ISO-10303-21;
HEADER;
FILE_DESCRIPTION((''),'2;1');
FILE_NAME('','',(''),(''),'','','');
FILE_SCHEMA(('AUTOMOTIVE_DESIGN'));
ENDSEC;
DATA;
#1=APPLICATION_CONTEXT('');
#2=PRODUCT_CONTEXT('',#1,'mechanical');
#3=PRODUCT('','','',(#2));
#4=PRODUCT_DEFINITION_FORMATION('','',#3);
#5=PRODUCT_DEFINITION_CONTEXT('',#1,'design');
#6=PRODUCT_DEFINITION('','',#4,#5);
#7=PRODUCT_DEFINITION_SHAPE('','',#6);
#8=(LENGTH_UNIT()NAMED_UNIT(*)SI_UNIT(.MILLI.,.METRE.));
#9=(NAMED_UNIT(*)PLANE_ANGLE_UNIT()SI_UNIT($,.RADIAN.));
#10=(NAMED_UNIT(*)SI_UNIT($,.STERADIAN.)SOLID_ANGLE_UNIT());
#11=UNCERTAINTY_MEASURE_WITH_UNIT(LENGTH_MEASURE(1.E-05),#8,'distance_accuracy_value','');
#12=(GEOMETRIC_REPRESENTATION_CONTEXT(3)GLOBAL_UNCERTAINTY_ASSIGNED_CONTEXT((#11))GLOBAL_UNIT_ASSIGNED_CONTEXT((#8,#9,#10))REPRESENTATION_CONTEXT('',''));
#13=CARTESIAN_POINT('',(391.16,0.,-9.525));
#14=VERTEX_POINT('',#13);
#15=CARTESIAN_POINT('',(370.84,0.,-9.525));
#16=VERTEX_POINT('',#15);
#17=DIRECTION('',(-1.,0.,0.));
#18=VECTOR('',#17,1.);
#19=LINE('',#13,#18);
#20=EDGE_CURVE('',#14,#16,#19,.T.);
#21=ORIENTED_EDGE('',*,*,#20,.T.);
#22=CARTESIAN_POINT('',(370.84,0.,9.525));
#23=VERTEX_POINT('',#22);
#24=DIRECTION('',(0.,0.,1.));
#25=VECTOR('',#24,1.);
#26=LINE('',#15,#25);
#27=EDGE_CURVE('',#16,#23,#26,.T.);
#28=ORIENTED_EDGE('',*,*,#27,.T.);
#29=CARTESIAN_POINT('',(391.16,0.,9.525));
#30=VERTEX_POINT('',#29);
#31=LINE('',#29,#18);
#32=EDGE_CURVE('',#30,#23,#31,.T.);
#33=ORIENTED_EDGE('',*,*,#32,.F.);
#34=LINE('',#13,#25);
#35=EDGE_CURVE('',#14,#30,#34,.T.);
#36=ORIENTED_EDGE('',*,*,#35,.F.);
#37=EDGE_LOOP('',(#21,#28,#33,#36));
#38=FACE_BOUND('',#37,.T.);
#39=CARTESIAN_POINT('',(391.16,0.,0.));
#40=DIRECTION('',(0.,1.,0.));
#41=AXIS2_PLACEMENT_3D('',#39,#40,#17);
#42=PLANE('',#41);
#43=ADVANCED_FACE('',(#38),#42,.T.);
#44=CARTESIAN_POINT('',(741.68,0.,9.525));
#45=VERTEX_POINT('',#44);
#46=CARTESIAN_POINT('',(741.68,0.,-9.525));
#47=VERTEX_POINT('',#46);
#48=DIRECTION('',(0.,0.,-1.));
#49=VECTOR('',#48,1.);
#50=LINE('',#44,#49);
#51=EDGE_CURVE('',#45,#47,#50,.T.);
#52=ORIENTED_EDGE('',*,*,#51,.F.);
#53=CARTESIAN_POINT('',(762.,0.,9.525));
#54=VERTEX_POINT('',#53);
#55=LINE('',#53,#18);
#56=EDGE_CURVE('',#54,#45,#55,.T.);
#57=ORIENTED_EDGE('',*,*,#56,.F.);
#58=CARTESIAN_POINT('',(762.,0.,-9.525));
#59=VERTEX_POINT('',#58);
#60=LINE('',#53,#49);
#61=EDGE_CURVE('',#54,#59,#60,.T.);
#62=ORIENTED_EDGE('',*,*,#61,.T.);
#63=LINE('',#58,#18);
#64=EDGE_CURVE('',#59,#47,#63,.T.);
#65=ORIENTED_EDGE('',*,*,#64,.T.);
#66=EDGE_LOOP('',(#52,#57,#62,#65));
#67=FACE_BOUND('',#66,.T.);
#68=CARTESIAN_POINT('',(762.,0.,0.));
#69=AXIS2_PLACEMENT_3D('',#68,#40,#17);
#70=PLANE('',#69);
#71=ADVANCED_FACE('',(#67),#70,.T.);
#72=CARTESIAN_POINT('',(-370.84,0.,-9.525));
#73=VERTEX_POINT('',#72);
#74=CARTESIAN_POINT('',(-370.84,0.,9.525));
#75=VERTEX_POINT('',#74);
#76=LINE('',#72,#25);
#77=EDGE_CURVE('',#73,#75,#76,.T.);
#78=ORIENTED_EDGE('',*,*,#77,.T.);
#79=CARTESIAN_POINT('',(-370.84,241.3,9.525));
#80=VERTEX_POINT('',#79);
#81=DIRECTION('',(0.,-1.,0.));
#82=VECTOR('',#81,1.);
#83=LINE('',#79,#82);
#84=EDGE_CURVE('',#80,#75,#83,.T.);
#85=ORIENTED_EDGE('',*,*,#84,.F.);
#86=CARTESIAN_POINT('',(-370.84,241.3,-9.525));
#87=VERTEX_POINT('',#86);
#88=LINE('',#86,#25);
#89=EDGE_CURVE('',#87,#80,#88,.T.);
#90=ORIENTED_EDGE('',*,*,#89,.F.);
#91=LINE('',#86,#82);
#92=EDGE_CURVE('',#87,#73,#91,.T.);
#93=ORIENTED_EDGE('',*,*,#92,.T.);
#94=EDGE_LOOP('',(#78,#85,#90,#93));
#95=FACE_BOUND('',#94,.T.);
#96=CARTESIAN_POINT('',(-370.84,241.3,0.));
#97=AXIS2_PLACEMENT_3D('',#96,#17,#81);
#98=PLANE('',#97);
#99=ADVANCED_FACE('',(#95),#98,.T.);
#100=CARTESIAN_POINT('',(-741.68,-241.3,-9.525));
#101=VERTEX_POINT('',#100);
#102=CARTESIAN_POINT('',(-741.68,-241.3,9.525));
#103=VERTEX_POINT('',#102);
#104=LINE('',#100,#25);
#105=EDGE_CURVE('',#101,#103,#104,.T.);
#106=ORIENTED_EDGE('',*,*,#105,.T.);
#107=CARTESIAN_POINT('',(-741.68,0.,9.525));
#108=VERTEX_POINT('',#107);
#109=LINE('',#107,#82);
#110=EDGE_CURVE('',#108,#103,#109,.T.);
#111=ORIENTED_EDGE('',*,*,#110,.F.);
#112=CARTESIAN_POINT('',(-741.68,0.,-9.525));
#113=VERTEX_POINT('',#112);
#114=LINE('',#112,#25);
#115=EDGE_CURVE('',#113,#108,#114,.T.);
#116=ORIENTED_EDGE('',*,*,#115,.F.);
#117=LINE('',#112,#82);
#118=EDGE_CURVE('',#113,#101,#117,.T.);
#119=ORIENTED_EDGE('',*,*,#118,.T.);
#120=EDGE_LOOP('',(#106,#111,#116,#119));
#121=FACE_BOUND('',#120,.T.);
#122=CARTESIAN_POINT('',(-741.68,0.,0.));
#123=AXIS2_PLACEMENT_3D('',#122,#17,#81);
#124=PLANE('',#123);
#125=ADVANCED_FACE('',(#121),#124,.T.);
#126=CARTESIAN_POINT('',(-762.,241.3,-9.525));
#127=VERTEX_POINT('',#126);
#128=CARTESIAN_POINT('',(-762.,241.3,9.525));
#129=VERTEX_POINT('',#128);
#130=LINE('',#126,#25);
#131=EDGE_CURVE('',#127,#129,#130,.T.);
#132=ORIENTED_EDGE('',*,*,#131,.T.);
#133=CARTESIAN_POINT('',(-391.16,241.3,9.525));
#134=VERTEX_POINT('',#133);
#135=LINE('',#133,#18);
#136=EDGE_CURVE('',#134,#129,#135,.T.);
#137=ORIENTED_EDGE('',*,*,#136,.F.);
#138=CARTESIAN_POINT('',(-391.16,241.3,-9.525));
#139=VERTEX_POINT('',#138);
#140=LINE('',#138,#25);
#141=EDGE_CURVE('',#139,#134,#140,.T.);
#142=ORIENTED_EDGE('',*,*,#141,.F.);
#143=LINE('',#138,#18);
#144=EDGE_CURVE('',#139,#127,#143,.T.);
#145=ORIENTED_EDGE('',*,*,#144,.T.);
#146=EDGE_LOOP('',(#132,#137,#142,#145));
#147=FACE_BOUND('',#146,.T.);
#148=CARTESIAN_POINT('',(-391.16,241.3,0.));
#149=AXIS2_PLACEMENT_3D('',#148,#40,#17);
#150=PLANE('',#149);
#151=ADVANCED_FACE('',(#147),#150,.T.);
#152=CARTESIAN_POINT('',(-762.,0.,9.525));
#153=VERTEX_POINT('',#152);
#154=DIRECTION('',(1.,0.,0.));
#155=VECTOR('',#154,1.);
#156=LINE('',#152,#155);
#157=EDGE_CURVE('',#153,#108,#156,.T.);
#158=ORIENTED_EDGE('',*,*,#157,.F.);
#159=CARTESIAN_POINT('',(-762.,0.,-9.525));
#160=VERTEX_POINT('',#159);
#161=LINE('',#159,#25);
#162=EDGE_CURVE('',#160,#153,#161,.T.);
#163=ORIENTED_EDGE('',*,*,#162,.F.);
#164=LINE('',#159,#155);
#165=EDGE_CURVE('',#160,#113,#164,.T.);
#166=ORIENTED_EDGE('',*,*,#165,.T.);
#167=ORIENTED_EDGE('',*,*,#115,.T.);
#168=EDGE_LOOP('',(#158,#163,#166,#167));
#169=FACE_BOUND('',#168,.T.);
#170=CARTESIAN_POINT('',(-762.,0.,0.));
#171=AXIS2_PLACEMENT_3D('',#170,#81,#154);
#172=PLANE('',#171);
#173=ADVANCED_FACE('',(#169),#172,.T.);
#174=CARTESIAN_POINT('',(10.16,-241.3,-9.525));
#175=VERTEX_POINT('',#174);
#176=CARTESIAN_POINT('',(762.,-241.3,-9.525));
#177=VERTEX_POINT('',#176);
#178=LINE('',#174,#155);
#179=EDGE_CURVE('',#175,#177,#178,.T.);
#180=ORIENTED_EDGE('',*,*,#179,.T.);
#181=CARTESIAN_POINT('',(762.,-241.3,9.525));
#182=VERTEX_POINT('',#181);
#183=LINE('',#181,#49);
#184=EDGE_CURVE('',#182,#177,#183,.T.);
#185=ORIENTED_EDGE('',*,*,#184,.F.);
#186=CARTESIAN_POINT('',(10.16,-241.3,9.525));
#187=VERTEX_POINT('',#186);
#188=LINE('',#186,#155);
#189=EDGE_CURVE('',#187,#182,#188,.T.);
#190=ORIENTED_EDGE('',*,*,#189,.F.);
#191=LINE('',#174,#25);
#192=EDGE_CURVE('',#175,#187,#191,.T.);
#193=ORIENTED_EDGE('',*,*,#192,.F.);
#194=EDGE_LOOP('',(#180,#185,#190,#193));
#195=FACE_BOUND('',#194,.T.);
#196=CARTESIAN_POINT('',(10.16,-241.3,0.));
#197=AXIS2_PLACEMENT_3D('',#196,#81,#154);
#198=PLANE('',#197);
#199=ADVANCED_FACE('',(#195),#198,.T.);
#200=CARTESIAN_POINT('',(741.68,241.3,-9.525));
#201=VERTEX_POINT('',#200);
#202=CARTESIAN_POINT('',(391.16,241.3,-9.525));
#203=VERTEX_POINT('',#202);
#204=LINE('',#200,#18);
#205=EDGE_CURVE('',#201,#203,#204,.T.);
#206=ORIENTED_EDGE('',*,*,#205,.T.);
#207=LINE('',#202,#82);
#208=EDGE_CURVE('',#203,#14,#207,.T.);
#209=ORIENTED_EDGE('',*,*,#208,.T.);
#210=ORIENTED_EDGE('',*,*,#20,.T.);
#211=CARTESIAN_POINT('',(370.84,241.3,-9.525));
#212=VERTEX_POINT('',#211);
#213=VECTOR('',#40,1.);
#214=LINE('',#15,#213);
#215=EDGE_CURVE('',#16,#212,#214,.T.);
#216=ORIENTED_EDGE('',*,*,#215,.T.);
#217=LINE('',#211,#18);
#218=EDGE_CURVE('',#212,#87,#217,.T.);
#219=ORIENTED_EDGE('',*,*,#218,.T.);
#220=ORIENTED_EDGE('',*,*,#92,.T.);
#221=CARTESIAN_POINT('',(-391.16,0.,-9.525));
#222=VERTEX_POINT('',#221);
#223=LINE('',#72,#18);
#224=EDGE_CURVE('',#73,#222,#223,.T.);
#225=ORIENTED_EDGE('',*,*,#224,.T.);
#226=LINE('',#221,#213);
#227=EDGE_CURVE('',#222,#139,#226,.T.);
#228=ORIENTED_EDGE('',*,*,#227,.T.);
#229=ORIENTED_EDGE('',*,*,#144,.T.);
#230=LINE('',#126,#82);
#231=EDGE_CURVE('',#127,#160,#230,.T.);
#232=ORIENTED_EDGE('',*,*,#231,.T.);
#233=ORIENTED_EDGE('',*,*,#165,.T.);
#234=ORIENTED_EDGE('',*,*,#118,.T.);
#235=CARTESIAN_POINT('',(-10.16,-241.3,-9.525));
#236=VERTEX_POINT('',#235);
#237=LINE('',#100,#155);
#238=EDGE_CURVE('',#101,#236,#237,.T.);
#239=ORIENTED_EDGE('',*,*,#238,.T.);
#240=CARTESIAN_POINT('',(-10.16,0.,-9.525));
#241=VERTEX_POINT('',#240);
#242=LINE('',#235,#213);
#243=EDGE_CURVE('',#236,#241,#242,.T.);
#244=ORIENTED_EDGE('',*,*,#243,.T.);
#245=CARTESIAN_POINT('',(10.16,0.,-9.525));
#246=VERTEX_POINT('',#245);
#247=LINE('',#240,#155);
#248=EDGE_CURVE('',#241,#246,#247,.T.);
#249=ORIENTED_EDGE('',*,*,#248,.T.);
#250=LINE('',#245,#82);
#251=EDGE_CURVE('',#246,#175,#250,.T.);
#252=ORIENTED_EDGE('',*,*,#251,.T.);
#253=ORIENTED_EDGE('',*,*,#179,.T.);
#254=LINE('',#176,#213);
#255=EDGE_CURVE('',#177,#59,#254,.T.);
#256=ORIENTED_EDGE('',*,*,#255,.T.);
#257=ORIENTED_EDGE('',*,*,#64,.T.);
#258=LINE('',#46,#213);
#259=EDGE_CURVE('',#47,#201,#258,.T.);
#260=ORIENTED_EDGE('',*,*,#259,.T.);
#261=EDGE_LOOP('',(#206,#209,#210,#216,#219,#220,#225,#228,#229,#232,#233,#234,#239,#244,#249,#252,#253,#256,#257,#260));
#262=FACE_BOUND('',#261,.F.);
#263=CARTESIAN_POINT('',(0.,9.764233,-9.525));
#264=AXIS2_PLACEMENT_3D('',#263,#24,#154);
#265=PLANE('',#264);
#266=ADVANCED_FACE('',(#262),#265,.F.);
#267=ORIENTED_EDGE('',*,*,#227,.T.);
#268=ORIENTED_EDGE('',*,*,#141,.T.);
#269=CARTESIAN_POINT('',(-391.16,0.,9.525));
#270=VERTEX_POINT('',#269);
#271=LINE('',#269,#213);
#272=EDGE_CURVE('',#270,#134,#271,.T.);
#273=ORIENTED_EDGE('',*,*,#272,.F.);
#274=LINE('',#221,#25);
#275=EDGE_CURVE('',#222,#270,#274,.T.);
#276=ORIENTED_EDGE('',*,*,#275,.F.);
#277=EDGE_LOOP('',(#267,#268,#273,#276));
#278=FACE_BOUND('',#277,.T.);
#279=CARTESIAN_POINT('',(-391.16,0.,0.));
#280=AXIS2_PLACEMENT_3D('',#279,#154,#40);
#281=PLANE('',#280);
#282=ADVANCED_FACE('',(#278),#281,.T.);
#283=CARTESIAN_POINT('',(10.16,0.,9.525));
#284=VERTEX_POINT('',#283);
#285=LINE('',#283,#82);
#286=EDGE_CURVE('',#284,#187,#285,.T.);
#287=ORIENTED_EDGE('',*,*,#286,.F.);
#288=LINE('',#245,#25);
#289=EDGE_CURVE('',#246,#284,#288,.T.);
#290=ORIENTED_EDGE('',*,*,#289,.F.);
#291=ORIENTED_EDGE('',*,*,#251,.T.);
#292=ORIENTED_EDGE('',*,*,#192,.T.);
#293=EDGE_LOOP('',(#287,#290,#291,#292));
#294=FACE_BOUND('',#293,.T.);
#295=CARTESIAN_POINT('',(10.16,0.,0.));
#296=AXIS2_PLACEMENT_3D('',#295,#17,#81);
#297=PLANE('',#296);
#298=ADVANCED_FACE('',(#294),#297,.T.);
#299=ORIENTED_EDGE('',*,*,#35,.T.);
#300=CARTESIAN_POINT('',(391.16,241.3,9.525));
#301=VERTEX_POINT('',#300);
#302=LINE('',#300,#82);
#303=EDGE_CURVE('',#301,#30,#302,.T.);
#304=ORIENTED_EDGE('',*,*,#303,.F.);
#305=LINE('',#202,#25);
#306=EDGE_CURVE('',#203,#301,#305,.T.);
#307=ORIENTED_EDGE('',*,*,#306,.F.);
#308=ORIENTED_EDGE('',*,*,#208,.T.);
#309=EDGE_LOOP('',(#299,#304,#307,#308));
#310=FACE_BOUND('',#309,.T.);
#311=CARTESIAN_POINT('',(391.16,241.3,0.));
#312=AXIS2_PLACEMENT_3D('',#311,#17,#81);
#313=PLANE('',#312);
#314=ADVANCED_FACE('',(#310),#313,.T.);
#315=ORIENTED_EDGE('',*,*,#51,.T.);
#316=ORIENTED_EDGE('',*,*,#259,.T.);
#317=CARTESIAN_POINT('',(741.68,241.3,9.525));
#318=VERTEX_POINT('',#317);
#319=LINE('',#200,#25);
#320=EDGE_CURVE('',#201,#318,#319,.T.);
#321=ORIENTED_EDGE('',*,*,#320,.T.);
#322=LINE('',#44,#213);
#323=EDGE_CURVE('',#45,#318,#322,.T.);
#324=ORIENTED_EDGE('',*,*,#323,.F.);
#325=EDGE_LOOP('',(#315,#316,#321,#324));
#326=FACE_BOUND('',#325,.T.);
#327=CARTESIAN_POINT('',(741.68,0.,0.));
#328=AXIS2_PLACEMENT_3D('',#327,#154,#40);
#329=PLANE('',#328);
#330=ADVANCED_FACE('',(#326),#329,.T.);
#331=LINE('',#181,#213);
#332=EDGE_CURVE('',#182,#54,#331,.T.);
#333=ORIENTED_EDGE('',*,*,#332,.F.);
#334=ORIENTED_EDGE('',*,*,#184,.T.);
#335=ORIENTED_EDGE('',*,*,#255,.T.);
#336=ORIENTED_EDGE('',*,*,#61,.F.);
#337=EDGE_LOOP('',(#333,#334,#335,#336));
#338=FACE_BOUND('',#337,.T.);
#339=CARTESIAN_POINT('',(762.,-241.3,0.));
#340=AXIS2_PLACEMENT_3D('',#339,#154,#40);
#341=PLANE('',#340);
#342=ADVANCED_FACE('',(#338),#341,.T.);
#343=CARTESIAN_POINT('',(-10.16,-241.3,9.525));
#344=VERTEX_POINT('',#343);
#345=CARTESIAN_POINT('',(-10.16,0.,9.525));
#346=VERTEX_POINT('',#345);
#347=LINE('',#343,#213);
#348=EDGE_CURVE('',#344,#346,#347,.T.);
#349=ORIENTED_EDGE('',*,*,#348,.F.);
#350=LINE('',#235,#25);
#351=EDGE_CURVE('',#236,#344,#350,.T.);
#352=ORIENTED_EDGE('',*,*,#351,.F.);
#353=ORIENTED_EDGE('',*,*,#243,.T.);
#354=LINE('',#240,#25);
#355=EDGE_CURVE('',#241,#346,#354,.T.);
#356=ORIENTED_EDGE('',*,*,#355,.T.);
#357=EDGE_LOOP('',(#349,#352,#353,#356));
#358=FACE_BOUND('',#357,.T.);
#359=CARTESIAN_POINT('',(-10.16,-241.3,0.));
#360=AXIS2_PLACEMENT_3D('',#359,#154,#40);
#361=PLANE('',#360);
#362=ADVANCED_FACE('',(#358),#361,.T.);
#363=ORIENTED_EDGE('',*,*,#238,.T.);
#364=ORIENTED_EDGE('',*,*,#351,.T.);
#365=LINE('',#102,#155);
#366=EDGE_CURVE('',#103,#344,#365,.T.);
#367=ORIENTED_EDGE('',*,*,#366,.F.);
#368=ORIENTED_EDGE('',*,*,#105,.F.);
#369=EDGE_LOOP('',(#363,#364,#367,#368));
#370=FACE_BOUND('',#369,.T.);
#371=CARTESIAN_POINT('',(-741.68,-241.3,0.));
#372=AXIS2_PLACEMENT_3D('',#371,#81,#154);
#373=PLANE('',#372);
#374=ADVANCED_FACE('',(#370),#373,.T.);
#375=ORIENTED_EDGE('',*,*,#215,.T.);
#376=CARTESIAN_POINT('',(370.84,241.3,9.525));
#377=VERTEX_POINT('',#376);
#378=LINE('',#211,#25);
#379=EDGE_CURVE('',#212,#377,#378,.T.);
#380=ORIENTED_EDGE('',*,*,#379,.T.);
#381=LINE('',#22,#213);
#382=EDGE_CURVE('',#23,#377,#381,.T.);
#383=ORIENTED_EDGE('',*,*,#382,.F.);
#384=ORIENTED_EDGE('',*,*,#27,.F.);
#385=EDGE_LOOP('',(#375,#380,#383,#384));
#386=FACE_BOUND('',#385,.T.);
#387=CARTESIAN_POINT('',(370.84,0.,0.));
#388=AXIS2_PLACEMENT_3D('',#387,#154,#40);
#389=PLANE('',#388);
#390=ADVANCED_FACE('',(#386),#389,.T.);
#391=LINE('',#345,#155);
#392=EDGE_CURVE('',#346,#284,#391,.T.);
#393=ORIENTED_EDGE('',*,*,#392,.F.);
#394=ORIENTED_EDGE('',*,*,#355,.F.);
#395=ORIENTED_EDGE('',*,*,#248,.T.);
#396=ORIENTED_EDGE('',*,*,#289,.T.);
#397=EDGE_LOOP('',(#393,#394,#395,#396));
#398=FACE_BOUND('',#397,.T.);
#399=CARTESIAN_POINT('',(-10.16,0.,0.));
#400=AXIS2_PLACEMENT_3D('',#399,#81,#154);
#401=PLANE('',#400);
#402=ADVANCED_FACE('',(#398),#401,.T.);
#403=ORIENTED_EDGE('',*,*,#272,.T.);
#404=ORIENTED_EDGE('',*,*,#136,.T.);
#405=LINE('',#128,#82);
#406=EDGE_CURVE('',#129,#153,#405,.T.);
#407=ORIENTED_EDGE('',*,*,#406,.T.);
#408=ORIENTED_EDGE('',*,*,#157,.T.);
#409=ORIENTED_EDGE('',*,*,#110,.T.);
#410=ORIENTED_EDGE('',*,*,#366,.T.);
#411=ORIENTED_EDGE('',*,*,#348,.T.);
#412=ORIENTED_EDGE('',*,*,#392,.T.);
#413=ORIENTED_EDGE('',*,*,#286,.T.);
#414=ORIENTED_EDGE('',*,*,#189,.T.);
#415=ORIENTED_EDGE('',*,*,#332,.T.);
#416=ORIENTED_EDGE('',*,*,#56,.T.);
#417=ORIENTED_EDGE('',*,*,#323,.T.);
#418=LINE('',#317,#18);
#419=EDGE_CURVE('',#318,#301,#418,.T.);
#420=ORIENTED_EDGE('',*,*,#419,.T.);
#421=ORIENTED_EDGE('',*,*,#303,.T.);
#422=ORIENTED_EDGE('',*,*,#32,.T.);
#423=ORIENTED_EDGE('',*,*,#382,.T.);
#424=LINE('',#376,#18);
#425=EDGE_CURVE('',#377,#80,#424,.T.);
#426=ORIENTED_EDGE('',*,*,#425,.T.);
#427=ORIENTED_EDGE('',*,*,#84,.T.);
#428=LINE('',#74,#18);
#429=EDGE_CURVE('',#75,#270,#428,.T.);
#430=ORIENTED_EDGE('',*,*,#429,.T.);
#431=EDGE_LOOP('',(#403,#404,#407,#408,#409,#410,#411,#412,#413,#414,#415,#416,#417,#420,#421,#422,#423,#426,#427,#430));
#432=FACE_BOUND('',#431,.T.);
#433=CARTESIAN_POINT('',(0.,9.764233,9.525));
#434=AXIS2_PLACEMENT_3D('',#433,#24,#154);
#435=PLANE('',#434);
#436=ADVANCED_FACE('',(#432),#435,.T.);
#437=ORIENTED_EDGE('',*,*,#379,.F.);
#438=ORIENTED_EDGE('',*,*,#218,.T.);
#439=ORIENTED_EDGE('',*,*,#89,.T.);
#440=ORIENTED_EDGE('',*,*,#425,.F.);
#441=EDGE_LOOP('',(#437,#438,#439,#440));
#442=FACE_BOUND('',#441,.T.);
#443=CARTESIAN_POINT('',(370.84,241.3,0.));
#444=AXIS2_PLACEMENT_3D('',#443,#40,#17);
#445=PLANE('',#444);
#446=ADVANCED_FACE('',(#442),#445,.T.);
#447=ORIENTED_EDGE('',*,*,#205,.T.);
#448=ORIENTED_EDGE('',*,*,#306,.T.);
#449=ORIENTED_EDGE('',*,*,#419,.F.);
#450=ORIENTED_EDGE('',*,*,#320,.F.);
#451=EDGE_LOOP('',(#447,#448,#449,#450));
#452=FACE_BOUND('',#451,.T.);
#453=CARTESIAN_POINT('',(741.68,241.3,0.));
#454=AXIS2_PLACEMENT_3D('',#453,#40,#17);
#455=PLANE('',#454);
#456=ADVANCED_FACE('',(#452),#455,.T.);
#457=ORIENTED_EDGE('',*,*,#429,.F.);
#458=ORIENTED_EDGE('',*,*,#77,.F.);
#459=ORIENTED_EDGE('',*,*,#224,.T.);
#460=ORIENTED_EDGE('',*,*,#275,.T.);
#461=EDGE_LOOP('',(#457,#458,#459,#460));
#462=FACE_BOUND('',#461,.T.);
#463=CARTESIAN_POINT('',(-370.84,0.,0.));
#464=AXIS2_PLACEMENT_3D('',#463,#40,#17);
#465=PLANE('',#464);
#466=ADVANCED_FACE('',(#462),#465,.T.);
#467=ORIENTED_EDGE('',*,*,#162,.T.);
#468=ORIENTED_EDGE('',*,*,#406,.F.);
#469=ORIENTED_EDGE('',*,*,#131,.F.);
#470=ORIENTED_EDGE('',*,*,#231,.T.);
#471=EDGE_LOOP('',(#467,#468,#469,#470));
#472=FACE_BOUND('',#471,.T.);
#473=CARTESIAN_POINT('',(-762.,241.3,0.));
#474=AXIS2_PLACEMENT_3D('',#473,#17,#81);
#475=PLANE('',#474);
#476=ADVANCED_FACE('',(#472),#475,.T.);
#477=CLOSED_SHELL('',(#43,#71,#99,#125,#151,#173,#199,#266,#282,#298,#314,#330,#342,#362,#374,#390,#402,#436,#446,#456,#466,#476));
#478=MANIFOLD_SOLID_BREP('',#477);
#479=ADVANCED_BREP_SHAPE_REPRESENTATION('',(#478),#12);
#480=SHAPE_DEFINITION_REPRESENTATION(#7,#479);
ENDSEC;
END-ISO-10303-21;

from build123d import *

# Parameters (mm, degrees)
F1_DEPTH = 9.525


with BuildPart() as f1:
    # F0 (on Top) → F1 (new body, symmetric)
    with BuildSketch(Plane.XY):
        Polygon((741.68, 0), (741.68, 241.3), (391.16, 241.3), (391.16, 0), (370.84, 0), (370.84, 241.3), (-370.84, 241.3), (-370.84, 0), (-391.16, 0), (-391.16, 241.3), (-762, 241.3), (-762, 0), (-741.68, 0), (-741.68, -241.3), (-10.16, -241.3), (-10.16, 0), (10.16, 0), (10.16, -241.3), (762, -241.3), (762, 0), align=None)
    extrude(amount=F1_DEPTH, both=True)


solid = f1.part
